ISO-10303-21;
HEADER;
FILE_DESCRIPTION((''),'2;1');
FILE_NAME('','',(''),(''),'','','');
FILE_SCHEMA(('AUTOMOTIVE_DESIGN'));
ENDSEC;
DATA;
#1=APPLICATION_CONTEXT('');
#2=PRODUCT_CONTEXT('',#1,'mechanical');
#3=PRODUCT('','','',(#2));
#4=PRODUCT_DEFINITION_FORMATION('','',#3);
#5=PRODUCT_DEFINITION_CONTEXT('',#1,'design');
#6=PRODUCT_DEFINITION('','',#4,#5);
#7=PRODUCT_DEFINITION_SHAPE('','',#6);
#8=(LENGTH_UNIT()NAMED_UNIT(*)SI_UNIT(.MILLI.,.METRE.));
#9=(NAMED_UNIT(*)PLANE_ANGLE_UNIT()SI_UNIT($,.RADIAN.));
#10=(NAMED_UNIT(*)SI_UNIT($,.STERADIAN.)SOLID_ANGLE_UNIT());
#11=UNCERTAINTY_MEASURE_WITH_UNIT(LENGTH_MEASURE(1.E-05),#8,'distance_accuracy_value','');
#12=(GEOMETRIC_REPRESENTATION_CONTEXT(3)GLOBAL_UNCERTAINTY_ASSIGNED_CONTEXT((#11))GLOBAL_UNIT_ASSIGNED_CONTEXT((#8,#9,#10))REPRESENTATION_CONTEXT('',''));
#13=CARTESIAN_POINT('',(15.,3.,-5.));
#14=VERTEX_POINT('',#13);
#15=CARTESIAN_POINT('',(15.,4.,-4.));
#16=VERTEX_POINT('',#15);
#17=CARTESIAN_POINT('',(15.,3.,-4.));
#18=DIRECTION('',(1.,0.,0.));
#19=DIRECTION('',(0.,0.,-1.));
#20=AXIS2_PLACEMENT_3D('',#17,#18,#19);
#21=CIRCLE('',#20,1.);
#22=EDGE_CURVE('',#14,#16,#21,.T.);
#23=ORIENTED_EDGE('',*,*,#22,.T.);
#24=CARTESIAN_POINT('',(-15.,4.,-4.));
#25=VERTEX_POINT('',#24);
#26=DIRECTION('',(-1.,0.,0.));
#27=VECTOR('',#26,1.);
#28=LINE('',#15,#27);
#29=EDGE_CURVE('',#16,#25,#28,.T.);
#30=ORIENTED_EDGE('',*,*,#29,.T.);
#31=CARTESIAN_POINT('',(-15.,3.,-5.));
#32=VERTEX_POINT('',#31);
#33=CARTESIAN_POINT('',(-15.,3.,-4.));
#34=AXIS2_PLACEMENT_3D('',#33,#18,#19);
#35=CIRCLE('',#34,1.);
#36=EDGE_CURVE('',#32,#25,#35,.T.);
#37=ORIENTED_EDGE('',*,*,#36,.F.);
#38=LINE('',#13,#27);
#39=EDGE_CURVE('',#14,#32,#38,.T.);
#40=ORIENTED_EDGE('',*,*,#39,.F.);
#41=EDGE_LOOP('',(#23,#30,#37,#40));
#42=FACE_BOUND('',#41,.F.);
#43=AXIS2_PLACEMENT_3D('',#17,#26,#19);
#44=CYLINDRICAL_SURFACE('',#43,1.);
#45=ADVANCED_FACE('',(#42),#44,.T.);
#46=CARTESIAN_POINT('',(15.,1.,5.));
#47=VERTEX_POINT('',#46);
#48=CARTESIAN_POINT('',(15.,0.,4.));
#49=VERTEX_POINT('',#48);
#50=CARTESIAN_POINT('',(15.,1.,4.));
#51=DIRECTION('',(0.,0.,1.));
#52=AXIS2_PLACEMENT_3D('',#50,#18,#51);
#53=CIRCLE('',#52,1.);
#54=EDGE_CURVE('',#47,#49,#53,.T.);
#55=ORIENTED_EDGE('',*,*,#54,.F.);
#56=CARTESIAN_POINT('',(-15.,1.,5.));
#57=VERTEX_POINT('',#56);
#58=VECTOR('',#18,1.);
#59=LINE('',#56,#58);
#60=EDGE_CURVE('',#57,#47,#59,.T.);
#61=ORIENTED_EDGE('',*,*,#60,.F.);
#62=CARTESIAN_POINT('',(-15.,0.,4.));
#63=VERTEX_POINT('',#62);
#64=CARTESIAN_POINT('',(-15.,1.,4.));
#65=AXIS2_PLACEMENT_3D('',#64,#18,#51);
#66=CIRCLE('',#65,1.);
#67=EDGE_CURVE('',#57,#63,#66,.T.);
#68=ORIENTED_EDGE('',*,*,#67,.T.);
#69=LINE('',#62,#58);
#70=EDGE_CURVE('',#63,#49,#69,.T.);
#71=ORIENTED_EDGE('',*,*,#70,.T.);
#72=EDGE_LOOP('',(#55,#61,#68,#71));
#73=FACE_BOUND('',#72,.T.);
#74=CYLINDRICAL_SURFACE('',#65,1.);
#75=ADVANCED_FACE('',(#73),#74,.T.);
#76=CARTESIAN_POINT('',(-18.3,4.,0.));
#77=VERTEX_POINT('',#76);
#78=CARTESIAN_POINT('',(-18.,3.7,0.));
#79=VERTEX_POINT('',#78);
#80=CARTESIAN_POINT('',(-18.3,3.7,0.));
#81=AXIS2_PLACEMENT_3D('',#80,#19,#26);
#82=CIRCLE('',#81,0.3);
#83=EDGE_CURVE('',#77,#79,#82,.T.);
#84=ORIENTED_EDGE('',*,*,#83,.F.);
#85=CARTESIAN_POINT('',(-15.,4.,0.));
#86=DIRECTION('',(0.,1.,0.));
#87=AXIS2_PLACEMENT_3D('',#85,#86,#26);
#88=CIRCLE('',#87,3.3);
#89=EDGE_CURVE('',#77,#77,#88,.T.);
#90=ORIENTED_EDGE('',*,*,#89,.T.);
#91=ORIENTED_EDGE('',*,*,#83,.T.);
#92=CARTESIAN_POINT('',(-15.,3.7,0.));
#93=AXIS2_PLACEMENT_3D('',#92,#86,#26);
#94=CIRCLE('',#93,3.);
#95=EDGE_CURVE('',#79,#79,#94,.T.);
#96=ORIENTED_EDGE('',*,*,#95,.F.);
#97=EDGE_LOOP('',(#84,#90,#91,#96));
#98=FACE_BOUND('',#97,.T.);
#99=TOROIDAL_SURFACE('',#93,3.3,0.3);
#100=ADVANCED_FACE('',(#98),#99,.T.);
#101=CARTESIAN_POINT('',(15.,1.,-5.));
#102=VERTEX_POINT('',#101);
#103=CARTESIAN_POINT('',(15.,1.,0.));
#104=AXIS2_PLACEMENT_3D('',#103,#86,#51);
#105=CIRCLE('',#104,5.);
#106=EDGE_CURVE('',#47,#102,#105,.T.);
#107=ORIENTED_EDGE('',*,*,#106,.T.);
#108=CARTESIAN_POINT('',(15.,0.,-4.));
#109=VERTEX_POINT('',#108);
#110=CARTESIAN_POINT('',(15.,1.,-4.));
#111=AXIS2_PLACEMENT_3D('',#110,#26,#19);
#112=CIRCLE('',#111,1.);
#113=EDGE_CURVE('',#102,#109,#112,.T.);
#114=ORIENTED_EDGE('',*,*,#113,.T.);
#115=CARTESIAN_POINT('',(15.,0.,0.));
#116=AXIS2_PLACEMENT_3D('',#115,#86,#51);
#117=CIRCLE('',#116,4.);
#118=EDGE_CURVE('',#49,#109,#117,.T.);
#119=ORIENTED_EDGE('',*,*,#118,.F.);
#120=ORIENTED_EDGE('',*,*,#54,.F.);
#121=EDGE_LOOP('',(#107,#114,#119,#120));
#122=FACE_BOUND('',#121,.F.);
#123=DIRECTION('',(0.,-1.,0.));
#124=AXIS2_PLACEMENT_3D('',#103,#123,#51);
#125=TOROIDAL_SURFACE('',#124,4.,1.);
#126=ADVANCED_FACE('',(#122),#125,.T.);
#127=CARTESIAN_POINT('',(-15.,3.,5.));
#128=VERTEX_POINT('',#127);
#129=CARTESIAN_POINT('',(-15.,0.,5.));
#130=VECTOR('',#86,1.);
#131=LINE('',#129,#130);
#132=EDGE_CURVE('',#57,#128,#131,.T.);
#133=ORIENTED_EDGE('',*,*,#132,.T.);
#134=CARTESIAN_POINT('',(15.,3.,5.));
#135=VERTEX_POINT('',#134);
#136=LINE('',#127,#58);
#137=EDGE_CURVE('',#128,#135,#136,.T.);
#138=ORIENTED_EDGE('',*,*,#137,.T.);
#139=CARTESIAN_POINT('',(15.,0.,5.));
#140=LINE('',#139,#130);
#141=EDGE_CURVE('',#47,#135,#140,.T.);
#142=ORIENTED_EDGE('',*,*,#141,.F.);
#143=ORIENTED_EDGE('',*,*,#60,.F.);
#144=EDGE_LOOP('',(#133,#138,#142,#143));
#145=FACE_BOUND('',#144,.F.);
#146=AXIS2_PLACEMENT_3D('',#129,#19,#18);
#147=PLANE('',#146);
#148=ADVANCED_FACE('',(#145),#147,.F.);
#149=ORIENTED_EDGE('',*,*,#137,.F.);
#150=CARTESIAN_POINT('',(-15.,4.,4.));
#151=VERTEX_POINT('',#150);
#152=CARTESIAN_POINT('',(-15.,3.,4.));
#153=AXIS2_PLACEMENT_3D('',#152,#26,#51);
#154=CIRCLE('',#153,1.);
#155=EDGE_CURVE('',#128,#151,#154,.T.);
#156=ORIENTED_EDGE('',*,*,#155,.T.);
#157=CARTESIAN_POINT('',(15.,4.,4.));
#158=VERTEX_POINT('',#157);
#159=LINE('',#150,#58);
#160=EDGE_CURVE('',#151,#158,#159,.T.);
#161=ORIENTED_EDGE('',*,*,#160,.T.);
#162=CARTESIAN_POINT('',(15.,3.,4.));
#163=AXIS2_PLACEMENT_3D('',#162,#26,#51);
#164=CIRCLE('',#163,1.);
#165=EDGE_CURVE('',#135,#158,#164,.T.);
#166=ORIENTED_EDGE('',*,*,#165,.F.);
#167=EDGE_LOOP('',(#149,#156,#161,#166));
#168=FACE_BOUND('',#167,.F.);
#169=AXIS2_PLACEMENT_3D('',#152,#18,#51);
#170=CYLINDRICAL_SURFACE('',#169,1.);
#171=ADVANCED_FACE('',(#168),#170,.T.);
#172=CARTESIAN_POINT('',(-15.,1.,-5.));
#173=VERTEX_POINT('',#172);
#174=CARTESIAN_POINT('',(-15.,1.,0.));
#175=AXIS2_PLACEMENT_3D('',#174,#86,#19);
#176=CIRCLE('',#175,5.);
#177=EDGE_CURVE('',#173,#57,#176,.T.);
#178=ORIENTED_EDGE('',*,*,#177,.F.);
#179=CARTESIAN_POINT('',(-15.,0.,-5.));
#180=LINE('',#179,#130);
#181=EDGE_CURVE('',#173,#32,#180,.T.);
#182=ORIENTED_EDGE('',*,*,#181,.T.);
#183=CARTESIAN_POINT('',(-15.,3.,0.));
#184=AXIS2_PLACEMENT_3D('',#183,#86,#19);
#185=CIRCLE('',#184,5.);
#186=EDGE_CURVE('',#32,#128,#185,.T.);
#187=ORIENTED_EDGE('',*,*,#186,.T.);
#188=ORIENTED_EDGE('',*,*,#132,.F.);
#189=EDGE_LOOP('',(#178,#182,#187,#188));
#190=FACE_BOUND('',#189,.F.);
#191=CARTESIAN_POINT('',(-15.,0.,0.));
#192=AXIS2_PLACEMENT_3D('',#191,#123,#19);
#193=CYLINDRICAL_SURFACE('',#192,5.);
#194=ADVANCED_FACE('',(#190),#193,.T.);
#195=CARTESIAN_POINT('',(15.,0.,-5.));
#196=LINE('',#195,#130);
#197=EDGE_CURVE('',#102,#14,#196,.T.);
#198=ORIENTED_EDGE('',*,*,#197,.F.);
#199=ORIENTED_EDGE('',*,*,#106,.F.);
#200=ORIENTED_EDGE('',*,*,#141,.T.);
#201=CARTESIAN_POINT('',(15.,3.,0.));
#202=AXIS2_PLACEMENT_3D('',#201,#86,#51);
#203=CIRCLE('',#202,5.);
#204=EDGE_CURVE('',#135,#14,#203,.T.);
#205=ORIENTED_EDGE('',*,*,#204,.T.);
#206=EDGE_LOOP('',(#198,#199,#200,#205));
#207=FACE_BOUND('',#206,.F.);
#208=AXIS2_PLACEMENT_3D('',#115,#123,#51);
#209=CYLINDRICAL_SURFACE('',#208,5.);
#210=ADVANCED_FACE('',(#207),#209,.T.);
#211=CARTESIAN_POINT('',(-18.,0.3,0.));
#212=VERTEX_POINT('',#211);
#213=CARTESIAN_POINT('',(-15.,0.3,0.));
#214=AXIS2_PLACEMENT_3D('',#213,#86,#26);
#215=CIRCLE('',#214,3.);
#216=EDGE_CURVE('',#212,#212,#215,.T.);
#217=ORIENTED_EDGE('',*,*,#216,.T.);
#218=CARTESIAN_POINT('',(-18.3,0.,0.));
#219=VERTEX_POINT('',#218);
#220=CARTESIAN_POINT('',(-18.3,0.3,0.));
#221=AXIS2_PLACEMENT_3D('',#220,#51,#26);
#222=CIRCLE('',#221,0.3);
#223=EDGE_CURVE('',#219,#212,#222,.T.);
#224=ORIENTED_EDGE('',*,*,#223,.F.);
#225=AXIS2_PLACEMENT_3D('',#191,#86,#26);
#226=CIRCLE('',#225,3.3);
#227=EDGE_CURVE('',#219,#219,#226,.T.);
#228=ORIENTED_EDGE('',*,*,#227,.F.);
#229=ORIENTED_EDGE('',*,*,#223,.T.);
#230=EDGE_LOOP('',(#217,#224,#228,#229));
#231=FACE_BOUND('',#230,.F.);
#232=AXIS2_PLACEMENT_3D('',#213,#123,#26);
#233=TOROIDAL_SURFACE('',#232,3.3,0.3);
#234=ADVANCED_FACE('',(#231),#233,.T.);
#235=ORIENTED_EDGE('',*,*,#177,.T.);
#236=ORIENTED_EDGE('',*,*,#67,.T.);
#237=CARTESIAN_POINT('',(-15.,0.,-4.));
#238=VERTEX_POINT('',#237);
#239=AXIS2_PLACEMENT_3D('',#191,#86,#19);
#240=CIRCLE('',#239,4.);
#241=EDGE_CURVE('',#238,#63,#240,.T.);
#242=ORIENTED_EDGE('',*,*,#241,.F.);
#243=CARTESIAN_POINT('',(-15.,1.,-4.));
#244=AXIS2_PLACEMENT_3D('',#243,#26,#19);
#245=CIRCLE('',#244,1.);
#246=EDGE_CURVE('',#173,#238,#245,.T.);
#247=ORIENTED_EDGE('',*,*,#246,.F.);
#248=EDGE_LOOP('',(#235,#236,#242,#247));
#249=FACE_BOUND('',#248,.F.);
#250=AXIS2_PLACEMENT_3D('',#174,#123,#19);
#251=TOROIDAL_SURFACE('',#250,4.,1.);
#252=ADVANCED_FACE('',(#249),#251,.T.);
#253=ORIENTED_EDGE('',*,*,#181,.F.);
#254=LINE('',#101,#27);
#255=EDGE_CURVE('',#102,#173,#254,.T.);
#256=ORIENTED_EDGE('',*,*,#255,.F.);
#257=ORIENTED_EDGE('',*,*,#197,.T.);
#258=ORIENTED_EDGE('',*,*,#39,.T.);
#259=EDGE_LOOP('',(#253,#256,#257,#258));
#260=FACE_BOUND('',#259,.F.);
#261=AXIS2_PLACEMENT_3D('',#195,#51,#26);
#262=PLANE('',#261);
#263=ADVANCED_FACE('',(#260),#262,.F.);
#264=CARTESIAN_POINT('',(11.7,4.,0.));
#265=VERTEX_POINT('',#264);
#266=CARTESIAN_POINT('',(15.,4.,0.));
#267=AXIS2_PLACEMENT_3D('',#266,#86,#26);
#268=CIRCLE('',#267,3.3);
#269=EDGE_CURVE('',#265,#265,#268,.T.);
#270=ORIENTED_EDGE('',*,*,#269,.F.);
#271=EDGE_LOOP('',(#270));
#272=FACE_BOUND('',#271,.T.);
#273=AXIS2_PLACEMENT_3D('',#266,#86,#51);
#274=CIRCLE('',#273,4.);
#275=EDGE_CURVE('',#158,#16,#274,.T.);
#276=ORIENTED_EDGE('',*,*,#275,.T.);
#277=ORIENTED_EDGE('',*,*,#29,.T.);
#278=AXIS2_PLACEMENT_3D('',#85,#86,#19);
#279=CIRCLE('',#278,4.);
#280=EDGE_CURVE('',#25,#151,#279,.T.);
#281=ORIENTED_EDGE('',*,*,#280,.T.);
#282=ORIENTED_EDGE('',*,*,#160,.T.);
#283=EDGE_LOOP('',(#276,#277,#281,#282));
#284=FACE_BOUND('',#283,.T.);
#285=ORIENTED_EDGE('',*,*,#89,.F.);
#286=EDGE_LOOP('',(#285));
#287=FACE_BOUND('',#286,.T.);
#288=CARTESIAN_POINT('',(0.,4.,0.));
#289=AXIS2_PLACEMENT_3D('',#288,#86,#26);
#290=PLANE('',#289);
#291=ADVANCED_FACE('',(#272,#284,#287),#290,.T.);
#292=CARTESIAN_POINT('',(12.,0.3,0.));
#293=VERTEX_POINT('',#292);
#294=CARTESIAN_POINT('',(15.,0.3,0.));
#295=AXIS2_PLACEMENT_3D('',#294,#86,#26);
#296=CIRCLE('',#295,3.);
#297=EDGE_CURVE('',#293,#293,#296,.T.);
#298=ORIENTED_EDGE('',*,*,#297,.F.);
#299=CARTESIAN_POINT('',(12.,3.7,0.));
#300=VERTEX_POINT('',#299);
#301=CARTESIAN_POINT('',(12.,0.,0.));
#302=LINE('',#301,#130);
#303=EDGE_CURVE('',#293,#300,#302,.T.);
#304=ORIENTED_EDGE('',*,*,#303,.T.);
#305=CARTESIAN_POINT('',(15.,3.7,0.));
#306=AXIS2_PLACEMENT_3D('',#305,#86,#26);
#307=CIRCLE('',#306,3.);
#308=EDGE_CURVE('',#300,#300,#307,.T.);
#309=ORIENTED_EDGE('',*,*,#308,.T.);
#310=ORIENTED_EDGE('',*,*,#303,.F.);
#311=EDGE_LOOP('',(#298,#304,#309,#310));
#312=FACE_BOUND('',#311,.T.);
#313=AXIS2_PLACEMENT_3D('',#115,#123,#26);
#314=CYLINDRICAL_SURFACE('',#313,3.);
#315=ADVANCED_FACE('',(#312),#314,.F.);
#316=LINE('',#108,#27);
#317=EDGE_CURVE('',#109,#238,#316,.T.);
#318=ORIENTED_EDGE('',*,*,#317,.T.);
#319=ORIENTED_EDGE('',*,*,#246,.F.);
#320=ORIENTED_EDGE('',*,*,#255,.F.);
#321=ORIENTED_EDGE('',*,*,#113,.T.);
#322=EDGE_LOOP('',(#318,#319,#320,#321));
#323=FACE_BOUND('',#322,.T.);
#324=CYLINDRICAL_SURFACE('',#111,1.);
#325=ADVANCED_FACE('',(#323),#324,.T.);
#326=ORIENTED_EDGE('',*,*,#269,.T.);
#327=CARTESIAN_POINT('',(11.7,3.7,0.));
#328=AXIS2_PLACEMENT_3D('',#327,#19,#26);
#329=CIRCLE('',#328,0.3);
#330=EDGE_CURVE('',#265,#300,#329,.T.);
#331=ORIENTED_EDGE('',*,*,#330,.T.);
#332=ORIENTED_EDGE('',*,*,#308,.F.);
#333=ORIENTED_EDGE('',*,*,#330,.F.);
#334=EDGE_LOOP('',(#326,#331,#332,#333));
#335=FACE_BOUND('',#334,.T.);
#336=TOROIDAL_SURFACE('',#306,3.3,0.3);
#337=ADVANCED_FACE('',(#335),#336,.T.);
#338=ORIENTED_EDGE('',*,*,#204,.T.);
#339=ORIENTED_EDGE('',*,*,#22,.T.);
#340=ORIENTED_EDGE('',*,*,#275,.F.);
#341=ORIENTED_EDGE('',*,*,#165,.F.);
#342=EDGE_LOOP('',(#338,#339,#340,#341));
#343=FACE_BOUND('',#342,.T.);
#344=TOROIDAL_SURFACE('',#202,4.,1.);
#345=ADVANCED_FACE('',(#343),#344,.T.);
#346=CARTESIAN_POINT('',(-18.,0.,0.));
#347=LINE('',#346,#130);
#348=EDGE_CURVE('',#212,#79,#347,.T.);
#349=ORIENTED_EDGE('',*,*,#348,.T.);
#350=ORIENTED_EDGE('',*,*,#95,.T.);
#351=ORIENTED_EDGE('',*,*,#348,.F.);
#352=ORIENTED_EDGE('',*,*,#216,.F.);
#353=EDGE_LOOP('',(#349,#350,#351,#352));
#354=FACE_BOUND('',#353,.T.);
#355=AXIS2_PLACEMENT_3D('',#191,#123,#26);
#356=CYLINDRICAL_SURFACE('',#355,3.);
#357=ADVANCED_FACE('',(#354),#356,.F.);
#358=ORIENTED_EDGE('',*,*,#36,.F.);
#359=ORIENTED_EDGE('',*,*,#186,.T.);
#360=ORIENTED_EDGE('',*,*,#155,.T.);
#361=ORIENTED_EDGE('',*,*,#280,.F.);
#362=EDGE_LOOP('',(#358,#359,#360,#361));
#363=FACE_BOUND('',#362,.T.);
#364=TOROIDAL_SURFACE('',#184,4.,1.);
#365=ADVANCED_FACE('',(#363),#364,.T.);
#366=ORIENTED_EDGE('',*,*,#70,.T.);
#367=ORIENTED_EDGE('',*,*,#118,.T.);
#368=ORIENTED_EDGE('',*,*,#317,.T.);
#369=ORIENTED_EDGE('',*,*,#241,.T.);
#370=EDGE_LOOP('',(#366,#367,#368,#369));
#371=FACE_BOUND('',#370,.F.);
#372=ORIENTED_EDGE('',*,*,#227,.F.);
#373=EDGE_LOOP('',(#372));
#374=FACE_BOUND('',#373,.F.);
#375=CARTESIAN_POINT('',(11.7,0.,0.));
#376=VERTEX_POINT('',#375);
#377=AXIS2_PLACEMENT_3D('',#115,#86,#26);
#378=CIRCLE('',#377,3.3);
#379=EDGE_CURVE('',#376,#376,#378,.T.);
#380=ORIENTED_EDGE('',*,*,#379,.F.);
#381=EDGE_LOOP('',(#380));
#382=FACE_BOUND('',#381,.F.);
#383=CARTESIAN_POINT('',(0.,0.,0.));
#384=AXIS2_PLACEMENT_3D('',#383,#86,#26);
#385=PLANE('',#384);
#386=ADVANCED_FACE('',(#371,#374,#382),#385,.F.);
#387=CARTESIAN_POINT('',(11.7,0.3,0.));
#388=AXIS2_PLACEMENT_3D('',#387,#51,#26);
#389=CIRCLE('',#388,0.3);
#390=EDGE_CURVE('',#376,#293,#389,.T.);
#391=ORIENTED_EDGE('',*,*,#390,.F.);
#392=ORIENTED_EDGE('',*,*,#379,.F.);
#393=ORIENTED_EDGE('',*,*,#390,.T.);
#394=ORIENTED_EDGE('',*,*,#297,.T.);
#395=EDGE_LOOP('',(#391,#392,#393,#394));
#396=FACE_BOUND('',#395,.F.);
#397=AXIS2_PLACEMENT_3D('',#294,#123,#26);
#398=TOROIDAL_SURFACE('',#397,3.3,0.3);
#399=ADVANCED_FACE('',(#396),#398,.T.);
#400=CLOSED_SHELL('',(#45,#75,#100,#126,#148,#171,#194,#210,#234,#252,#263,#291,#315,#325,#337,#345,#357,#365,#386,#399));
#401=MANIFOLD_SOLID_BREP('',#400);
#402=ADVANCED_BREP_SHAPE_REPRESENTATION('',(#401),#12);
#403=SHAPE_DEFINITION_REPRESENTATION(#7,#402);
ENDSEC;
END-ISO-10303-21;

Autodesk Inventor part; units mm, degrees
ref_plane "YZ Plane" through (0, 0, 0) normal (1, 0, 0) x (0, 1, 0)
ref_plane "XY Plane" through (0, 0, 0) normal (0, 0, 1) x (1, 0, 0)
sketch "Эскиз1" plane through (0, 0, 0) normal (0, 1, 0) x (-1, 0, 0)
  line L0 (15, 0) -> (-15, 0) construction
  line L1 (15, 5) -> (-15, 5)
  line L2 (-15, -5) -> (15, -5)
  arc A0 (15, -5) -> (15, 5) centre (15, 0) ccw
  arc A1 (-15, 5) -> (-15, -5) centre (-15, 0) ccw
  circle A2 centre (15, 0) radius 3
  circle A3 centre (-15, 0) radius 3
  point P0 (0, 0)
  point P1 (0, 0)
  dimension "d0" = 30
  dimension "d1" = 10
  dimension "d2" = 6
extrude "Выдавливание1" add sketch "Эскиз1" along normal blind 4
fillet "Сопряжение1" radius 1 8 edges at (20, 4, 0) (0, 4, -5) (-20, 4, 0) (0, 4, 5) (20, 0, 0) (0, 0, -5) (-20, 0, 0) (0, 0, 5)
fillet "Сопряжение2" radius 0.3 4 edges at (-12, 0, 0) (-12, 4, 0) (18, 0, 0) (18, 4, 0)
properties part number "рычаг-1"
